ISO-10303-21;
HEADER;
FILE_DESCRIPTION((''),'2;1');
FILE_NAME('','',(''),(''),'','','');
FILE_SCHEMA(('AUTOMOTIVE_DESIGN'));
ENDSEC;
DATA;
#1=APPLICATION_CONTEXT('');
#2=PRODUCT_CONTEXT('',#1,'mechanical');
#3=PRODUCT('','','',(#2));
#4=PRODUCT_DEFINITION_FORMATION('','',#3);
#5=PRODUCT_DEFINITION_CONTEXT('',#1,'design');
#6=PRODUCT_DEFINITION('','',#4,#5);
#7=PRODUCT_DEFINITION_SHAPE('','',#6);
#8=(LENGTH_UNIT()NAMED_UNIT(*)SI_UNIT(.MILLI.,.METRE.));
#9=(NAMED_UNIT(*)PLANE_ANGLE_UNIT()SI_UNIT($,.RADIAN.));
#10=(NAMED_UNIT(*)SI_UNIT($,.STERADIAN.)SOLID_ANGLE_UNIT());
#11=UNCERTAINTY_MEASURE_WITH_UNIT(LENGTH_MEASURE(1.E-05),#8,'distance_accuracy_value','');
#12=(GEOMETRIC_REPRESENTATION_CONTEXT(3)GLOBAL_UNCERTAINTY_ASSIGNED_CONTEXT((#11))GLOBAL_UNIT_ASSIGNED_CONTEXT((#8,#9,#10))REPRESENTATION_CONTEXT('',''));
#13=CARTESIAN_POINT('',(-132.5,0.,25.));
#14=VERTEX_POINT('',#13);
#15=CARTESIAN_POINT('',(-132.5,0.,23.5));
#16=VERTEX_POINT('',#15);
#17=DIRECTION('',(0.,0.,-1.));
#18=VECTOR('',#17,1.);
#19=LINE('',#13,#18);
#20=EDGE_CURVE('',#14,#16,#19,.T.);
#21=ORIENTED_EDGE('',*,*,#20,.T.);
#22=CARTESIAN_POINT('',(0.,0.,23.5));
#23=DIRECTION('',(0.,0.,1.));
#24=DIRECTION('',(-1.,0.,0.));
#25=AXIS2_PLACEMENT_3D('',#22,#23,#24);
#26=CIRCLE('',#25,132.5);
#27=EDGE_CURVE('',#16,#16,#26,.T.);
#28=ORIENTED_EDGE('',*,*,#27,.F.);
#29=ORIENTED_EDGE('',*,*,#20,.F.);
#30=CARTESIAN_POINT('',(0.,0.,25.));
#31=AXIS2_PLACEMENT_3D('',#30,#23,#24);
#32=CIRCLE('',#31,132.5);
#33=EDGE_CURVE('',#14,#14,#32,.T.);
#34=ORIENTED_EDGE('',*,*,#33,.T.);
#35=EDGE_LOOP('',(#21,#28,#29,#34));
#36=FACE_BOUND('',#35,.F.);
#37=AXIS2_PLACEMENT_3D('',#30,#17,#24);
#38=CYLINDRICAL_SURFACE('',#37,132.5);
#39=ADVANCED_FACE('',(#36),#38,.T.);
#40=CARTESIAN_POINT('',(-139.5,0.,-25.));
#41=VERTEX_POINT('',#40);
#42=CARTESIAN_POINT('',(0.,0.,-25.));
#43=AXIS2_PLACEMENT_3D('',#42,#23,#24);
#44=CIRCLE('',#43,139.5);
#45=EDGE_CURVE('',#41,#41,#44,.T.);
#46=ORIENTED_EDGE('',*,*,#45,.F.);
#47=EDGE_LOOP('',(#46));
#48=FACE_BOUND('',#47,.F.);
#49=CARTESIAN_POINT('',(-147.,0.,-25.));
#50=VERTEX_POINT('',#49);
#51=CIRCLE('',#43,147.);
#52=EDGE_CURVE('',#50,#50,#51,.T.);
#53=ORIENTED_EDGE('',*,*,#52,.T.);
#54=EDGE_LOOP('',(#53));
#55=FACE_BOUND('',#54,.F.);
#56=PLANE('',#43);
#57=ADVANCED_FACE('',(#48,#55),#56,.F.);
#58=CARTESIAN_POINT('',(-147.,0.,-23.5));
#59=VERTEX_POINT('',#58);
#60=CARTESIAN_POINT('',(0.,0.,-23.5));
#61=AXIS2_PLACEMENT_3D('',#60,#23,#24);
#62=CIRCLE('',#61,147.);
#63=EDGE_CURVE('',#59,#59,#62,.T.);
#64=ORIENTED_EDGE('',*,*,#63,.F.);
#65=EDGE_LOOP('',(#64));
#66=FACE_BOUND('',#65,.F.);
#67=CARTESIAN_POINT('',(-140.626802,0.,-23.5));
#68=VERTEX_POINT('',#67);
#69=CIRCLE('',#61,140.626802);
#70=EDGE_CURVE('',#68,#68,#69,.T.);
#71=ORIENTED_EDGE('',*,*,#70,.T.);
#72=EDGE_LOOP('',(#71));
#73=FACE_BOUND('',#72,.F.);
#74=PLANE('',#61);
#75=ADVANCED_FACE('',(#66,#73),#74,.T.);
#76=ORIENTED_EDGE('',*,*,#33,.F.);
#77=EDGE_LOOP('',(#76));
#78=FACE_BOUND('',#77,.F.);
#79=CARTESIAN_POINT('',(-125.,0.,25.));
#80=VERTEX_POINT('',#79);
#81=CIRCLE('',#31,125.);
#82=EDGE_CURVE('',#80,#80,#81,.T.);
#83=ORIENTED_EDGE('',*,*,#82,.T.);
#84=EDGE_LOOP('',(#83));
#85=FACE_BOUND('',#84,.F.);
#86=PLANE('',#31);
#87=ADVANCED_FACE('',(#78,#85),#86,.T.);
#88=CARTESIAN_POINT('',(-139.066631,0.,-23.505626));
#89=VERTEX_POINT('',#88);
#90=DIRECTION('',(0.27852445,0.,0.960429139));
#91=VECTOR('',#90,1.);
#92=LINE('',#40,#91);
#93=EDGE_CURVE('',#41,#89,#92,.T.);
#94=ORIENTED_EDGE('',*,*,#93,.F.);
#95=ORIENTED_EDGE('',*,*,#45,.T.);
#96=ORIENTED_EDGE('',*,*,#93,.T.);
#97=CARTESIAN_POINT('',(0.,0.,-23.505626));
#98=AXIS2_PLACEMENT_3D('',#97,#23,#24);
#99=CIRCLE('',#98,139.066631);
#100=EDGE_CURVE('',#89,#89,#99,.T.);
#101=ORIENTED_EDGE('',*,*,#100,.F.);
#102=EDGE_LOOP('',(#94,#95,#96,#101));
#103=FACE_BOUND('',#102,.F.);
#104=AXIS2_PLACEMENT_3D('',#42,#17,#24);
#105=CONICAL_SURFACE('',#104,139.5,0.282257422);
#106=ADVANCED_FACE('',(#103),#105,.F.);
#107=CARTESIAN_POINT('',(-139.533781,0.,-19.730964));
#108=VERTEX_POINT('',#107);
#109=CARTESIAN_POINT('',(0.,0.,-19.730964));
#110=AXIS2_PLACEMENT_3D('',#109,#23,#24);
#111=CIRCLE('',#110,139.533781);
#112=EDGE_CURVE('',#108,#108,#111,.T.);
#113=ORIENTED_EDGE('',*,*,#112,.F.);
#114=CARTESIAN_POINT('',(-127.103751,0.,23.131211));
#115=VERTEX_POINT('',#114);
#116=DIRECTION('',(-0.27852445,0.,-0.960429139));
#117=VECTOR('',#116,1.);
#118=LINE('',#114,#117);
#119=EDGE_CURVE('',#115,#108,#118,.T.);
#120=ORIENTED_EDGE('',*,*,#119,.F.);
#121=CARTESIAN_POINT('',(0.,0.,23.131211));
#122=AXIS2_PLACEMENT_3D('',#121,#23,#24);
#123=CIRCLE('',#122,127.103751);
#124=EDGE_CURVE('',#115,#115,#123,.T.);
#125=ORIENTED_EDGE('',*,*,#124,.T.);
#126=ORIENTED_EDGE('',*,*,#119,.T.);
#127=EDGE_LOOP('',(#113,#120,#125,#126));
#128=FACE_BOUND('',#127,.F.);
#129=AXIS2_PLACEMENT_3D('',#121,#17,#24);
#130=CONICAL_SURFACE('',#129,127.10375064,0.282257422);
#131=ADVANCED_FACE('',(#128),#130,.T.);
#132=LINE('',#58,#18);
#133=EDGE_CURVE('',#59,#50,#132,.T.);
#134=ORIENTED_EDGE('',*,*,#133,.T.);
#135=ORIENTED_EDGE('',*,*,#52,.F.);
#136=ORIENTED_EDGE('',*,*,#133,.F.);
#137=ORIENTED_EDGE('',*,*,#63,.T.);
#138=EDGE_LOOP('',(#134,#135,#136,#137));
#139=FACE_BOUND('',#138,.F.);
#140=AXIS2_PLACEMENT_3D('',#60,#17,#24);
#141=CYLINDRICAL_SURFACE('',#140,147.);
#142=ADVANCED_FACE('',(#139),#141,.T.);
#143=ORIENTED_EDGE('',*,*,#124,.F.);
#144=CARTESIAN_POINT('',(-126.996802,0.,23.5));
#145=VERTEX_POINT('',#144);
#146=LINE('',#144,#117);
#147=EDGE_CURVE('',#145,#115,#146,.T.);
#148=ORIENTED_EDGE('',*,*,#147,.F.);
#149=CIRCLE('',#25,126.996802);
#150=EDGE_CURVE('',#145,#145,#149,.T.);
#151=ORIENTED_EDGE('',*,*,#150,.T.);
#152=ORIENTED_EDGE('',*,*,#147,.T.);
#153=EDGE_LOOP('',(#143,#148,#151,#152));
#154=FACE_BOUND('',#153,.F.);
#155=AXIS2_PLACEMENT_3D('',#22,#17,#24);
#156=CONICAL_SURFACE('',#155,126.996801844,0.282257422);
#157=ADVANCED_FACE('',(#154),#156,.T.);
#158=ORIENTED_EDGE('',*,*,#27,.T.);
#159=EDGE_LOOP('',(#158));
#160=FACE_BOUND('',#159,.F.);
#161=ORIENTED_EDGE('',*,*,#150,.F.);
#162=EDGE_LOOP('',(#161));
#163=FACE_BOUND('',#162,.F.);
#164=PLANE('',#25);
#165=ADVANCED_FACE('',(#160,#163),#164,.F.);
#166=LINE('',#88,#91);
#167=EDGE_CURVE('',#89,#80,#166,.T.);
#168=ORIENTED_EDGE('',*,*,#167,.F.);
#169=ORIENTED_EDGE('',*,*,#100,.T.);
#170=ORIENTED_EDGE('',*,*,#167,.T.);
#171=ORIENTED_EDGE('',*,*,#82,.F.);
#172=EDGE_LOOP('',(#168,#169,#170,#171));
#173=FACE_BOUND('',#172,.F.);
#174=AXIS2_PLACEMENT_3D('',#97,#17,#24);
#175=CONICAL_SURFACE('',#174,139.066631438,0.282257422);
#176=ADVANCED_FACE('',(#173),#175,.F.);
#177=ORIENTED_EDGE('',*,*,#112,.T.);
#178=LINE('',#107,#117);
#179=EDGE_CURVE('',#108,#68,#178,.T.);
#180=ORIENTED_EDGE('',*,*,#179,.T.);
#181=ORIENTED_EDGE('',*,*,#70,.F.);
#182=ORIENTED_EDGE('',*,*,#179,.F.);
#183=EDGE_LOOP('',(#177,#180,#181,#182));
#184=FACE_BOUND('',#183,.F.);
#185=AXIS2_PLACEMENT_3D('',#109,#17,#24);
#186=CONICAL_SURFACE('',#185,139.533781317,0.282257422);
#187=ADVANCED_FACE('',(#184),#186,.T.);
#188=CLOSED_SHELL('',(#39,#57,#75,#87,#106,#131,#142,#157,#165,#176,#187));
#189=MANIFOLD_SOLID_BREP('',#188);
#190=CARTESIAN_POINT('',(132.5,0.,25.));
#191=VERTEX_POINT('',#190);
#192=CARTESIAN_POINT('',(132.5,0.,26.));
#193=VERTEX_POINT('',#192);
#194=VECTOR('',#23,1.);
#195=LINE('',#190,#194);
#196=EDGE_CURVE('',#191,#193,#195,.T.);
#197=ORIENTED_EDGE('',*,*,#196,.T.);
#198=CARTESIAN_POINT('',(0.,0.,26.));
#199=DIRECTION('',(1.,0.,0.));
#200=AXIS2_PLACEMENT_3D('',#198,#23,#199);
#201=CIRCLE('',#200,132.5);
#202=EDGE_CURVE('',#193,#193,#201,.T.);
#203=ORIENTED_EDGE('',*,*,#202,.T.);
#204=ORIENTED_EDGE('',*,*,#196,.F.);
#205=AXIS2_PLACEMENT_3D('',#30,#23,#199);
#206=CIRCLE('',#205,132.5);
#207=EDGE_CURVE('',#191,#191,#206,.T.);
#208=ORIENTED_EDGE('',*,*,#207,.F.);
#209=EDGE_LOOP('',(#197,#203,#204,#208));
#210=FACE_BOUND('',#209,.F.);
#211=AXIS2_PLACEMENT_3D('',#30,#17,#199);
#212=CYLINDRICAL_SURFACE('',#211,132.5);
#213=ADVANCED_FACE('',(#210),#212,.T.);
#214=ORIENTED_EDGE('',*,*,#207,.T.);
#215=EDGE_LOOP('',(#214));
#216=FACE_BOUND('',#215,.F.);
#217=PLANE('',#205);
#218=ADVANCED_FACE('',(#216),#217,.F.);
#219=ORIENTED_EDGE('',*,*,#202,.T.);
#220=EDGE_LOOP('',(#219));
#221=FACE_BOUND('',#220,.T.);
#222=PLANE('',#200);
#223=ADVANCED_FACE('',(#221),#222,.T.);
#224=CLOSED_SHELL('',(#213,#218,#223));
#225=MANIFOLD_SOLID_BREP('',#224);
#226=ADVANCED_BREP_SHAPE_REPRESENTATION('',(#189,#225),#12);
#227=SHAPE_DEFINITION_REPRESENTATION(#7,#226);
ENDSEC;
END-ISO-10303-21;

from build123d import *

# Parameters (mm, degrees)
F2_R     = 132.5
F2_R_2   = 125
F3_DEPTH = 1


with BuildPart() as f1:
    # F0 (on Front) → F1 (revolve)
    with BuildSketch(Plane.XZ):
        Polygon((-147, -23.5), (-147, -25), (-139.5, -25), (-139.0666314375, -23.5056256464), (-125, 25), (-132.5, 25), (-132.5, 23.5), (-126.996801844, 23.5), (-127.1037506395, 23.13121105), (-139.5337813165, -19.7309636981), (-140.626801844, -23.5), align=None)
    revolve(axis=Axis((0, 0, 12.5), (0, 0, 1)))


with BuildPart() as f3:
    # F2 (on face) → F3 (new body)
    with BuildSketch(Plane.XY.offset(25)):
        Circle(F2_R)
        Circle(F2_R_2, mode=Mode.SUBTRACT)
        Circle(F2_R)
    extrude(amount=F3_DEPTH)


solid = Compound([f1.part, f3.part])
